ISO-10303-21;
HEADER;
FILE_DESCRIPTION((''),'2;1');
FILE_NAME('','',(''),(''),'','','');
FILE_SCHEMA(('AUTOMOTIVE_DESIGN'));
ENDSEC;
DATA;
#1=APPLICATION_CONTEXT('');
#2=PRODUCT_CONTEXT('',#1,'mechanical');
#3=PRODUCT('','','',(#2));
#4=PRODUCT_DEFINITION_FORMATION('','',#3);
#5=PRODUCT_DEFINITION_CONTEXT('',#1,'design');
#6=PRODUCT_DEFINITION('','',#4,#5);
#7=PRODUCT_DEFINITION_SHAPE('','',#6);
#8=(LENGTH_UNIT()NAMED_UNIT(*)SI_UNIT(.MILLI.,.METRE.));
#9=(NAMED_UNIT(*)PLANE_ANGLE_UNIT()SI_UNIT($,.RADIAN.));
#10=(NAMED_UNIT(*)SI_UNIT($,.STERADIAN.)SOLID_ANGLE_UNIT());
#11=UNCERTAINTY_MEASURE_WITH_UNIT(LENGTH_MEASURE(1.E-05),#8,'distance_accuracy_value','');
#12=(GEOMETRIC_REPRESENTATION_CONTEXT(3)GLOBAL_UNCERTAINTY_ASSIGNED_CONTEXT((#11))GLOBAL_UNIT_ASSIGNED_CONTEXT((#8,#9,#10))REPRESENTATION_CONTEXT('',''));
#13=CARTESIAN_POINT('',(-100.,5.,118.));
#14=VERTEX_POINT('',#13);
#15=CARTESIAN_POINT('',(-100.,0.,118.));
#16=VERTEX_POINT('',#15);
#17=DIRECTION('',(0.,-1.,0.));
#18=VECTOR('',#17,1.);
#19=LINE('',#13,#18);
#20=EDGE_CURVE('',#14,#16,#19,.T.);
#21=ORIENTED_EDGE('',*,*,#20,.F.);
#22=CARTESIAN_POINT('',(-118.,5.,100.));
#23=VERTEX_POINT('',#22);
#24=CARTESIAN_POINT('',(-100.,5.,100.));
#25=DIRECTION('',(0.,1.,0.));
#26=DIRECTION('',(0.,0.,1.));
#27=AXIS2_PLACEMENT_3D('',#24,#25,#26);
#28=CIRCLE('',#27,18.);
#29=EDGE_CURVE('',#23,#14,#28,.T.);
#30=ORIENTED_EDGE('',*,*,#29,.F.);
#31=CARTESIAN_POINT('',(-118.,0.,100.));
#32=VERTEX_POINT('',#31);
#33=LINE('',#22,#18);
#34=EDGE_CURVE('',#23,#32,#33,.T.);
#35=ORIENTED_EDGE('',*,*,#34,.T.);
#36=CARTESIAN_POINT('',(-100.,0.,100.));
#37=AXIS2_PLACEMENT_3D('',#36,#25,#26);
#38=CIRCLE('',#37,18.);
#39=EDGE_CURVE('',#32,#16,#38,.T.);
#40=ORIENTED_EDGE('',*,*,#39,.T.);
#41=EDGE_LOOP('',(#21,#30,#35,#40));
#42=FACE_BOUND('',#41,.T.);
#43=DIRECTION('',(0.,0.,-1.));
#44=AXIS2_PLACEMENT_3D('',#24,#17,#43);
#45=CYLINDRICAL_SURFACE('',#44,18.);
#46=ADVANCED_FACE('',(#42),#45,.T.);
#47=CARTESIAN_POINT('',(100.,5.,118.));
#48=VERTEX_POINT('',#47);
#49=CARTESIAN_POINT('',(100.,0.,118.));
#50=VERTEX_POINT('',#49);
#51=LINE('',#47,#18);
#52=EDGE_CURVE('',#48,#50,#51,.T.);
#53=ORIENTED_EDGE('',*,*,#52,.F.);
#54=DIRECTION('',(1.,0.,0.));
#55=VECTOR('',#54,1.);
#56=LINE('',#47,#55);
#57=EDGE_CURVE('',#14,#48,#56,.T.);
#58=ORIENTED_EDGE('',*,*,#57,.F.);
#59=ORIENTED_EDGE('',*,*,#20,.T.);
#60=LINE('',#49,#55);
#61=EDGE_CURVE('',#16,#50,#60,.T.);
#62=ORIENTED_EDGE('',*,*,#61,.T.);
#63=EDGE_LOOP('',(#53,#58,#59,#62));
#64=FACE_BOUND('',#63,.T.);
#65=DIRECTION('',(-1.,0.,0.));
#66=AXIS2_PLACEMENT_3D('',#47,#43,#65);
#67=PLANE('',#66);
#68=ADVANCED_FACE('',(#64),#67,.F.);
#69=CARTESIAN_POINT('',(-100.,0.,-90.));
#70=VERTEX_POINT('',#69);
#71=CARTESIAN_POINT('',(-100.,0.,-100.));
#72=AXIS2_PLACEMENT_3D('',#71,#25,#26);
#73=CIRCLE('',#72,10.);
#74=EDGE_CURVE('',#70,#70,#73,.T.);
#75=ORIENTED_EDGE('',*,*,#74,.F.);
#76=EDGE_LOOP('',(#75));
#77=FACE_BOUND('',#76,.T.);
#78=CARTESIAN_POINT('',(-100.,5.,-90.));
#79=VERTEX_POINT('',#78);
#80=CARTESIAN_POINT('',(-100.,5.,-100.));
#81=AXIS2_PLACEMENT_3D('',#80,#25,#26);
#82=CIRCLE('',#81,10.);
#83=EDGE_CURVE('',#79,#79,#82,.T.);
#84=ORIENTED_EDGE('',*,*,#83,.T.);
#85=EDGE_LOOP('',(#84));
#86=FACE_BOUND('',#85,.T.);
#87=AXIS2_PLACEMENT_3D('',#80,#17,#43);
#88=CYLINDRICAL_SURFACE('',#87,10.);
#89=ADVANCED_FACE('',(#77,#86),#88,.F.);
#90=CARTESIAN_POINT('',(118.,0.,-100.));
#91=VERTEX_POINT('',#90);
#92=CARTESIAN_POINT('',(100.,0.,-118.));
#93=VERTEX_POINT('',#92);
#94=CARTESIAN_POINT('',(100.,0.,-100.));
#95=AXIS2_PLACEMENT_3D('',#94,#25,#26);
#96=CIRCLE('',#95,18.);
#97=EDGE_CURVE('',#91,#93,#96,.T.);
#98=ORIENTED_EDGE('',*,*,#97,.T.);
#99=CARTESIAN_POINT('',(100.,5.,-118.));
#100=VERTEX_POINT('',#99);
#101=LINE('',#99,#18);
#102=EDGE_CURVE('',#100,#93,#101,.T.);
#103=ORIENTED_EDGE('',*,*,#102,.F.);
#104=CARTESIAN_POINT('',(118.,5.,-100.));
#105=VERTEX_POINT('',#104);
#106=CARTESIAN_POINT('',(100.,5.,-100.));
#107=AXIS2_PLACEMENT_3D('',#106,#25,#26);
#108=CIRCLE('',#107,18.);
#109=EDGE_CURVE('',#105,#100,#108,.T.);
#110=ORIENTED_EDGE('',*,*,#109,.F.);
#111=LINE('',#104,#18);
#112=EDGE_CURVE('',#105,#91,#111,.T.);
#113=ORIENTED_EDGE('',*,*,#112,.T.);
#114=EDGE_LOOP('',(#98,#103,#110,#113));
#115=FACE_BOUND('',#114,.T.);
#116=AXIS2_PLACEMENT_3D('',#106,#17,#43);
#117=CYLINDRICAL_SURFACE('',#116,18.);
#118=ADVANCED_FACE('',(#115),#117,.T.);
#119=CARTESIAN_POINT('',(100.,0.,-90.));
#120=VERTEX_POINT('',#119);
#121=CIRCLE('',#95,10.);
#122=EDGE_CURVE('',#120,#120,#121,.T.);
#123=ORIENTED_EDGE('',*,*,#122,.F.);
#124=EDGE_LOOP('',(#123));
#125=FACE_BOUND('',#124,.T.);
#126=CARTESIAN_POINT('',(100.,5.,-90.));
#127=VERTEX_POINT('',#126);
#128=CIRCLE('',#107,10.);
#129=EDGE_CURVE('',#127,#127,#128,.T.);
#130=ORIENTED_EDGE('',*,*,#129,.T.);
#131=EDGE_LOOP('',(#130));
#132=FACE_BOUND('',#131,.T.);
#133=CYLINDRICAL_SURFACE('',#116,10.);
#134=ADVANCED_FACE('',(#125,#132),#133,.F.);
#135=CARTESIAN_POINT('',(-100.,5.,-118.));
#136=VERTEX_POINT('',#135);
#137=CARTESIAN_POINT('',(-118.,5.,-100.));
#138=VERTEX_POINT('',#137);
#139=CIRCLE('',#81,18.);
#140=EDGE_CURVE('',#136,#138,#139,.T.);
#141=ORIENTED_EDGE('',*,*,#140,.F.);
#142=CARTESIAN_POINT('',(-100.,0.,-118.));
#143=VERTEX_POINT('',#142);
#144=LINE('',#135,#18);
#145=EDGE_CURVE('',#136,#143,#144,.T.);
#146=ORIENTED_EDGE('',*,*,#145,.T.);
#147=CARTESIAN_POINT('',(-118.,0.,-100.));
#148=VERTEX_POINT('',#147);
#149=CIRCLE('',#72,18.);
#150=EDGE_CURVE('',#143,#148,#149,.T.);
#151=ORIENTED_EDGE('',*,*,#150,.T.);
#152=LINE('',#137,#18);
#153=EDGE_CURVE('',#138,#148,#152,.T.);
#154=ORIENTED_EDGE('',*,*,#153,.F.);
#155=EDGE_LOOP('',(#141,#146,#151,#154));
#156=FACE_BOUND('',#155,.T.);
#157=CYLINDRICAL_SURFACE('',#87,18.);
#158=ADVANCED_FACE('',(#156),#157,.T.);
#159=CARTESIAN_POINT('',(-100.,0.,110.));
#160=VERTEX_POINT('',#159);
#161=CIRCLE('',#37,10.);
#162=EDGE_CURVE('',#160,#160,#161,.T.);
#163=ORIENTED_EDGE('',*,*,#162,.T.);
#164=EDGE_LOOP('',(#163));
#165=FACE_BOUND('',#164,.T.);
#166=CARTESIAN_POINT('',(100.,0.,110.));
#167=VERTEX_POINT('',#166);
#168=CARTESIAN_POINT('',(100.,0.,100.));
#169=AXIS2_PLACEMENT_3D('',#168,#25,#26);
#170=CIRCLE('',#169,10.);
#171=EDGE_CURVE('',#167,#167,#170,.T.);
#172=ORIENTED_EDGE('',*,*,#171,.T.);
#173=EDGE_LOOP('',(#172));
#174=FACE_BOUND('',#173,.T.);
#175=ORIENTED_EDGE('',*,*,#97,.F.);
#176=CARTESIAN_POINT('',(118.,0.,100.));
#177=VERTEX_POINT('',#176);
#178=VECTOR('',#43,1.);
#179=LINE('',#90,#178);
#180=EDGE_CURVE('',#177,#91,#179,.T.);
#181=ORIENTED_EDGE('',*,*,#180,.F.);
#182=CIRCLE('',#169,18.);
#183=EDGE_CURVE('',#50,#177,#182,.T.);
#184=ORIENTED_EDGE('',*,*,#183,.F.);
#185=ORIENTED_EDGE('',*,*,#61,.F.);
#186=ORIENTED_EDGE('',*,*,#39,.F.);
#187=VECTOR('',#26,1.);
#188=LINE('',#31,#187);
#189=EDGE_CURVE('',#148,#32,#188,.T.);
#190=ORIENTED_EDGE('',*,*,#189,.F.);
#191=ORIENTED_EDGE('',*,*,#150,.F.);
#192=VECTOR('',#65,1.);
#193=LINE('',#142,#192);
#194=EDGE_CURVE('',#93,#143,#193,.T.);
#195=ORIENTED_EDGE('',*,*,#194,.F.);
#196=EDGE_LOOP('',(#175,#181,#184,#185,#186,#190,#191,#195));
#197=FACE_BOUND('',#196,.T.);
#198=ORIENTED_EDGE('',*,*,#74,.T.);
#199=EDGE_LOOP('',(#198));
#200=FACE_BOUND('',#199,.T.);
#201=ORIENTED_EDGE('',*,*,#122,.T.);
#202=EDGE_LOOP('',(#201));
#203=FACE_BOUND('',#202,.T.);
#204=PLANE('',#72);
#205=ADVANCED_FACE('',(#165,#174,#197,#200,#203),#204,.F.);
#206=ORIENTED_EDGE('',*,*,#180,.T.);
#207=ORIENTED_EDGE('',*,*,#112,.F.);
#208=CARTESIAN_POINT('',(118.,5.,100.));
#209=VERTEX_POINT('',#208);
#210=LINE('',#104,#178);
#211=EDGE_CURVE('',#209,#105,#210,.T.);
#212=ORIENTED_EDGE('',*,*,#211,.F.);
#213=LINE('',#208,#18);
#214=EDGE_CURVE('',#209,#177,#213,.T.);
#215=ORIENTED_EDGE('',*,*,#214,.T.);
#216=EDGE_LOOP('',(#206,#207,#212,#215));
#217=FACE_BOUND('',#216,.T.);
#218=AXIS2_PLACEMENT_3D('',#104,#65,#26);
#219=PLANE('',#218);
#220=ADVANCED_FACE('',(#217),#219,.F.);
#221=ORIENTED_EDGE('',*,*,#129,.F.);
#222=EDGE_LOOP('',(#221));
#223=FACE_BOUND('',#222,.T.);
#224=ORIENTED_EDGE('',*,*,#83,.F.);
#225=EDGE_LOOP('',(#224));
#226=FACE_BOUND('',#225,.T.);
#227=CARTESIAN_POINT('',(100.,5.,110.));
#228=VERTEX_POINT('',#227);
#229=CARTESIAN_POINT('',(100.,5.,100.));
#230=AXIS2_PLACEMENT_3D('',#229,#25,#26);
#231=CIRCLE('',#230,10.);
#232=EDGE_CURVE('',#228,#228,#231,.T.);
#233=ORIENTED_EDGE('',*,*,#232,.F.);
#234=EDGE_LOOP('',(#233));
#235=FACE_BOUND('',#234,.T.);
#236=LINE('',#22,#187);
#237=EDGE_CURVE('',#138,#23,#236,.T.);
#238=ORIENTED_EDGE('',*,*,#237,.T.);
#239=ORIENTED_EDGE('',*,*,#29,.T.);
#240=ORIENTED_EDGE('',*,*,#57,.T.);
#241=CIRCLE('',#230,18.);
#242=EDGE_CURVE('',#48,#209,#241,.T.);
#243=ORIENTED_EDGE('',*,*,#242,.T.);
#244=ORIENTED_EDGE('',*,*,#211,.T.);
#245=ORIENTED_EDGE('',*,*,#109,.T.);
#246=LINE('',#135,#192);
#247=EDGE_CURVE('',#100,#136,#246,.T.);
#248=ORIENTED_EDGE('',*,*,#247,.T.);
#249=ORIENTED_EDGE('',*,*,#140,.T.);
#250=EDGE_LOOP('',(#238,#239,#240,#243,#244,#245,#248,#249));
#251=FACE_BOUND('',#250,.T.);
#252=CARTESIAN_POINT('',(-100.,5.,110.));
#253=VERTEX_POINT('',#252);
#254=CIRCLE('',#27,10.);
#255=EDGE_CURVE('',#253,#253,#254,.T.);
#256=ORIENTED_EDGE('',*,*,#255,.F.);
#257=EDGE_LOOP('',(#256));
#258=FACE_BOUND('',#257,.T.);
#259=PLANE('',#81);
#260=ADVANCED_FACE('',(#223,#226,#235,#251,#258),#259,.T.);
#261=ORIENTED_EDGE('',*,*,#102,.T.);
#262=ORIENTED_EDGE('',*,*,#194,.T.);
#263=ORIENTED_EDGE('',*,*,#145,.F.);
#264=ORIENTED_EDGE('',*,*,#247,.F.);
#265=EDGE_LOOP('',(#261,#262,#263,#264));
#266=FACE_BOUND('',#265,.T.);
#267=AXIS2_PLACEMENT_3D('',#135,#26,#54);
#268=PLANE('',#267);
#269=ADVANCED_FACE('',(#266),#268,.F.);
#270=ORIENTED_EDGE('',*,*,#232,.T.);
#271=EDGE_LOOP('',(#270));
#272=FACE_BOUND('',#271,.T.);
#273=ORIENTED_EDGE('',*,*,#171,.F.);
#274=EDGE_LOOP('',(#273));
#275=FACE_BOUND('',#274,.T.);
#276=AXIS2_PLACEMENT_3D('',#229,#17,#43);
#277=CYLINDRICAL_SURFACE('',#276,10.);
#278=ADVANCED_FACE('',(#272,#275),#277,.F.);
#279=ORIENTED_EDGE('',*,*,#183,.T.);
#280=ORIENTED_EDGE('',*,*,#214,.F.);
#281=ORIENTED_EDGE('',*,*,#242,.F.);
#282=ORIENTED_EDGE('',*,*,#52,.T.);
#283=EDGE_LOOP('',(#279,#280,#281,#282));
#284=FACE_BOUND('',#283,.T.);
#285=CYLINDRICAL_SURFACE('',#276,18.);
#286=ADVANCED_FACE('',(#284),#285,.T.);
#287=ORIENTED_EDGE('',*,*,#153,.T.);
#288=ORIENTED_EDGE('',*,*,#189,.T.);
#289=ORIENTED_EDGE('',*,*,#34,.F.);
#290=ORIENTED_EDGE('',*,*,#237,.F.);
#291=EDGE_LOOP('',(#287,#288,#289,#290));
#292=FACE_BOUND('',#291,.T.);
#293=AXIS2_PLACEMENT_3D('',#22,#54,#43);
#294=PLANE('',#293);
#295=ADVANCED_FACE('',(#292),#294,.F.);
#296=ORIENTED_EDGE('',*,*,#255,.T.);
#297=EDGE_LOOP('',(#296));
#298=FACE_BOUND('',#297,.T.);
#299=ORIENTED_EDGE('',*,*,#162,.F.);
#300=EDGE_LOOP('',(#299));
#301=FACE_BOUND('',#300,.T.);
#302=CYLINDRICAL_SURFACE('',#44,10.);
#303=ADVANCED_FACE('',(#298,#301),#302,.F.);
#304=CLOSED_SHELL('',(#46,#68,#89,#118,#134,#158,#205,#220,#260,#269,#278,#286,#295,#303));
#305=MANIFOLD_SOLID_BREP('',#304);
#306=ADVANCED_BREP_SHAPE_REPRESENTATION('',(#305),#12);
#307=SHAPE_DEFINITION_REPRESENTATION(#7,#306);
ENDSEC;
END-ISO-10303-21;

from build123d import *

# Parameters (mm, degrees)
SKETCH_1_R      = 10
EXTRUDE_1_DEPTH = 5


with BuildPart() as part:
    # 草图1 → 凸台-拉伸1 (new body)
    with BuildSketch(Plane(origin=(0, 0, 0), x_dir=(1, 0, 0), z_dir=(0, 1, 0))):
        with BuildLine():
            Line((-100, 118), (100, 118))
            ThreePointArc((100, 118), (112.727922061, 112.727922061), (118, 100))
            Line((118, 100), (118, -100))
            ThreePointArc((118, -100), (112.727922061, -112.727922061), (100, -118))
            Line((100, -118), (-100, -118))
            ThreePointArc((-100, -118), (-112.727922061, -112.727922061), (-118, -100))
            Line((-118, -100), (-118, 100))
            ThreePointArc((-118, 100), (-112.727922061, 112.727922061), (-100, 118))
        make_face()
        with Locations(Location((100, 100, 0), (0, 0, 270))):
            Circle(SKETCH_1_R, mode=Mode.SUBTRACT)
        with Locations(Location((100, -100, 0), (0, 0, 270))):
            Circle(SKETCH_1_R, mode=Mode.SUBTRACT)
        with Locations(Location((-100, -100, 0), (0, 0, 270))):
            Circle(SKETCH_1_R, mode=Mode.SUBTRACT)
        with Locations(Location((-100, 100, 0), (0, 0, 270))):
            Circle(SKETCH_1_R, mode=Mode.SUBTRACT)
    extrude(amount=EXTRUDE_1_DEPTH)


solid = part.part
